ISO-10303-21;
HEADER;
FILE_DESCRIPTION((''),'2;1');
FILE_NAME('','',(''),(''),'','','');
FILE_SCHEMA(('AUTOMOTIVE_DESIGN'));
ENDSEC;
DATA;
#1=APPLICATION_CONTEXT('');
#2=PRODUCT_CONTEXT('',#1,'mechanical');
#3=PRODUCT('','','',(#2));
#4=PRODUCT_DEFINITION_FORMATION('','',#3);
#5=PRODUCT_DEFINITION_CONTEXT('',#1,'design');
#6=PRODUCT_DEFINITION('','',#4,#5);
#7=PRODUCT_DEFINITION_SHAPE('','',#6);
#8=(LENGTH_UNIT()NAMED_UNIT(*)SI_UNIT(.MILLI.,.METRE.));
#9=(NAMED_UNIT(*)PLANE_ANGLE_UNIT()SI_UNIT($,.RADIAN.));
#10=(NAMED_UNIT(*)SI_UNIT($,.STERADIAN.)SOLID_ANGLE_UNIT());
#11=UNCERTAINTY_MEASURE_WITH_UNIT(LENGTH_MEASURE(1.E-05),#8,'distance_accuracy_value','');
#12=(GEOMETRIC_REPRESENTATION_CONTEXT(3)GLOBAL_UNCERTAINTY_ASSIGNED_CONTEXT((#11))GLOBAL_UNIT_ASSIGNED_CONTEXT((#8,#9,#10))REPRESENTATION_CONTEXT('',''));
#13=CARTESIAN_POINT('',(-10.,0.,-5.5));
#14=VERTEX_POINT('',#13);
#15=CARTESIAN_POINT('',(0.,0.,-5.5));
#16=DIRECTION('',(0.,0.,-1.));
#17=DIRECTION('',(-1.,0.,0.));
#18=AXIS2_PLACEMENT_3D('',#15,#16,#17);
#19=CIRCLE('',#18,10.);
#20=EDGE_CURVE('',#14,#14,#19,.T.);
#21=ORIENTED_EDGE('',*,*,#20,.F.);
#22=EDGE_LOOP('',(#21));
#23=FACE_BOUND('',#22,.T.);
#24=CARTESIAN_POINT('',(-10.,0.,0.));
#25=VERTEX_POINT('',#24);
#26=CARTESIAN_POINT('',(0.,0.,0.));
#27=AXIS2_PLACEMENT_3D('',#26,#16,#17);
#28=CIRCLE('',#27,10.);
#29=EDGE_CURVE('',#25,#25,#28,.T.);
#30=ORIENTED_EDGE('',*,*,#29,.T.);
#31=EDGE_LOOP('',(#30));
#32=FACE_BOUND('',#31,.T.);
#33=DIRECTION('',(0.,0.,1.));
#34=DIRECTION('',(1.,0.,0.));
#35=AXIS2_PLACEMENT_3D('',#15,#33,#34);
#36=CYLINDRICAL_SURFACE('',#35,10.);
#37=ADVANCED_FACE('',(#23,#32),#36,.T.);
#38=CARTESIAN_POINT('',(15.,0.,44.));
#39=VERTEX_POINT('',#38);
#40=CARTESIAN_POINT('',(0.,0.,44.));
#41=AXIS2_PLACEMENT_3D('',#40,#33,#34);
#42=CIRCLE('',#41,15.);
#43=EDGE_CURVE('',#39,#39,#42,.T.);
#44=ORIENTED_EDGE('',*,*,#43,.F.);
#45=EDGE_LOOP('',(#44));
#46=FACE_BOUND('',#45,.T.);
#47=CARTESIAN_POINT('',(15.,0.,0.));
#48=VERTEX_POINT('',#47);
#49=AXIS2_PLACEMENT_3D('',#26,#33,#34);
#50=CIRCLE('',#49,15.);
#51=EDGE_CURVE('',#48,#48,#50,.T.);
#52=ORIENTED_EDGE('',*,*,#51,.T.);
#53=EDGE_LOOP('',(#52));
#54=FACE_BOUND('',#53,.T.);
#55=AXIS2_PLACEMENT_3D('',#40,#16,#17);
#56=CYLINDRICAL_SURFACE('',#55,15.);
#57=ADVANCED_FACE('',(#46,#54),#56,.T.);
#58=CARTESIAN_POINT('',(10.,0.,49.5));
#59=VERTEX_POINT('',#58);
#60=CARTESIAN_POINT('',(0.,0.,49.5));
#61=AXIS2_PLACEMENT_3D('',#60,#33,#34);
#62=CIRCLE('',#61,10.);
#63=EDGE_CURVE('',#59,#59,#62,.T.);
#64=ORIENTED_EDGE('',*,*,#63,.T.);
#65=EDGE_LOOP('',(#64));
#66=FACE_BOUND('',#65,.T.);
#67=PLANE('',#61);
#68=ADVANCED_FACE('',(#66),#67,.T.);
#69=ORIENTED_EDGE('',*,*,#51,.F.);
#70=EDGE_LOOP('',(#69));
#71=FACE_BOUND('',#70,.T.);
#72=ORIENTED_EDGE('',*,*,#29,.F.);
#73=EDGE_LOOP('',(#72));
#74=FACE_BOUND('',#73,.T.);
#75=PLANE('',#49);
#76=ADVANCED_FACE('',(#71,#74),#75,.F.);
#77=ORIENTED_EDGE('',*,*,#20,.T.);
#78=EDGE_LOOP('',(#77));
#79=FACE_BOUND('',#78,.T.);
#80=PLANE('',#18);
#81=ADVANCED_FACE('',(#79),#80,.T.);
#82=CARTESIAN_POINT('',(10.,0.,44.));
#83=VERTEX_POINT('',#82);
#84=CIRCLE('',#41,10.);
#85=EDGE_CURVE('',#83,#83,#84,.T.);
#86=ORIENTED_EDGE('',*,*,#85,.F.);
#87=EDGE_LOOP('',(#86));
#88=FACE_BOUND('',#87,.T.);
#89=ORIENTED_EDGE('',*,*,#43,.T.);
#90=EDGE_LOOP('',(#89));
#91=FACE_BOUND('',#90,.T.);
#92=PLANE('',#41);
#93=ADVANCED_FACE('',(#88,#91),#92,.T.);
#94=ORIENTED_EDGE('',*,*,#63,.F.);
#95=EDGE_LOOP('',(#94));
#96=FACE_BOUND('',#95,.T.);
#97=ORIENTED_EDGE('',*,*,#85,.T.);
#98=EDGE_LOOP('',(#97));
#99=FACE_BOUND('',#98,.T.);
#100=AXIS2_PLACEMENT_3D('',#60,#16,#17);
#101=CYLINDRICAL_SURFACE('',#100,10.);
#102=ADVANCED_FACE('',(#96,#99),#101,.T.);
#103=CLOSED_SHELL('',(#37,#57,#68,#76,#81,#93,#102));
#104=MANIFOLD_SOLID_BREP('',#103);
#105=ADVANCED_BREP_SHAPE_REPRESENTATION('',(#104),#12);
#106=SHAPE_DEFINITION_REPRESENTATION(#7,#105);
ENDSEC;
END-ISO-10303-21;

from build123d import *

# Parameters (mm, degrees)
SKETCH1_R           = 15
BOSS_EXTRUDE1_DEPTH = 44
SKETCH4_R           = 10
BOSS_EXTRUDE2_DEPTH = 5.5
BOSS_EXTRUDE3_START = 5.5
SKETCH5_R           = 10
BOSS_EXTRUDE3_DEPTH = 5.5


with BuildPart() as part:
    # Sketch1 → Boss-Extrude1 (new body)
    with BuildSketch(Plane.XY):
        Circle(SKETCH1_R)
    extrude(amount=BOSS_EXTRUDE1_DEPTH)

    # Sketch4 → Boss-Extrude2 (add)
    with BuildSketch(Plane.XY.offset(44)):
        Circle(SKETCH4_R)
    extrude(amount=BOSS_EXTRUDE2_DEPTH)

    # Sketch5 → Boss-Extrude3 (add)
    with BuildSketch(Plane(origin=(0, 0, 0), x_dir=(-1, 0, 0), z_dir=(0, 0, -1)).offset(BOSS_EXTRUDE3_START)):
        with Locations(Location((0, 0, 0), (0, 0, 180))):
            Circle(SKETCH5_R)
    extrude(amount=-BOSS_EXTRUDE3_DEPTH)


solid = part.part
